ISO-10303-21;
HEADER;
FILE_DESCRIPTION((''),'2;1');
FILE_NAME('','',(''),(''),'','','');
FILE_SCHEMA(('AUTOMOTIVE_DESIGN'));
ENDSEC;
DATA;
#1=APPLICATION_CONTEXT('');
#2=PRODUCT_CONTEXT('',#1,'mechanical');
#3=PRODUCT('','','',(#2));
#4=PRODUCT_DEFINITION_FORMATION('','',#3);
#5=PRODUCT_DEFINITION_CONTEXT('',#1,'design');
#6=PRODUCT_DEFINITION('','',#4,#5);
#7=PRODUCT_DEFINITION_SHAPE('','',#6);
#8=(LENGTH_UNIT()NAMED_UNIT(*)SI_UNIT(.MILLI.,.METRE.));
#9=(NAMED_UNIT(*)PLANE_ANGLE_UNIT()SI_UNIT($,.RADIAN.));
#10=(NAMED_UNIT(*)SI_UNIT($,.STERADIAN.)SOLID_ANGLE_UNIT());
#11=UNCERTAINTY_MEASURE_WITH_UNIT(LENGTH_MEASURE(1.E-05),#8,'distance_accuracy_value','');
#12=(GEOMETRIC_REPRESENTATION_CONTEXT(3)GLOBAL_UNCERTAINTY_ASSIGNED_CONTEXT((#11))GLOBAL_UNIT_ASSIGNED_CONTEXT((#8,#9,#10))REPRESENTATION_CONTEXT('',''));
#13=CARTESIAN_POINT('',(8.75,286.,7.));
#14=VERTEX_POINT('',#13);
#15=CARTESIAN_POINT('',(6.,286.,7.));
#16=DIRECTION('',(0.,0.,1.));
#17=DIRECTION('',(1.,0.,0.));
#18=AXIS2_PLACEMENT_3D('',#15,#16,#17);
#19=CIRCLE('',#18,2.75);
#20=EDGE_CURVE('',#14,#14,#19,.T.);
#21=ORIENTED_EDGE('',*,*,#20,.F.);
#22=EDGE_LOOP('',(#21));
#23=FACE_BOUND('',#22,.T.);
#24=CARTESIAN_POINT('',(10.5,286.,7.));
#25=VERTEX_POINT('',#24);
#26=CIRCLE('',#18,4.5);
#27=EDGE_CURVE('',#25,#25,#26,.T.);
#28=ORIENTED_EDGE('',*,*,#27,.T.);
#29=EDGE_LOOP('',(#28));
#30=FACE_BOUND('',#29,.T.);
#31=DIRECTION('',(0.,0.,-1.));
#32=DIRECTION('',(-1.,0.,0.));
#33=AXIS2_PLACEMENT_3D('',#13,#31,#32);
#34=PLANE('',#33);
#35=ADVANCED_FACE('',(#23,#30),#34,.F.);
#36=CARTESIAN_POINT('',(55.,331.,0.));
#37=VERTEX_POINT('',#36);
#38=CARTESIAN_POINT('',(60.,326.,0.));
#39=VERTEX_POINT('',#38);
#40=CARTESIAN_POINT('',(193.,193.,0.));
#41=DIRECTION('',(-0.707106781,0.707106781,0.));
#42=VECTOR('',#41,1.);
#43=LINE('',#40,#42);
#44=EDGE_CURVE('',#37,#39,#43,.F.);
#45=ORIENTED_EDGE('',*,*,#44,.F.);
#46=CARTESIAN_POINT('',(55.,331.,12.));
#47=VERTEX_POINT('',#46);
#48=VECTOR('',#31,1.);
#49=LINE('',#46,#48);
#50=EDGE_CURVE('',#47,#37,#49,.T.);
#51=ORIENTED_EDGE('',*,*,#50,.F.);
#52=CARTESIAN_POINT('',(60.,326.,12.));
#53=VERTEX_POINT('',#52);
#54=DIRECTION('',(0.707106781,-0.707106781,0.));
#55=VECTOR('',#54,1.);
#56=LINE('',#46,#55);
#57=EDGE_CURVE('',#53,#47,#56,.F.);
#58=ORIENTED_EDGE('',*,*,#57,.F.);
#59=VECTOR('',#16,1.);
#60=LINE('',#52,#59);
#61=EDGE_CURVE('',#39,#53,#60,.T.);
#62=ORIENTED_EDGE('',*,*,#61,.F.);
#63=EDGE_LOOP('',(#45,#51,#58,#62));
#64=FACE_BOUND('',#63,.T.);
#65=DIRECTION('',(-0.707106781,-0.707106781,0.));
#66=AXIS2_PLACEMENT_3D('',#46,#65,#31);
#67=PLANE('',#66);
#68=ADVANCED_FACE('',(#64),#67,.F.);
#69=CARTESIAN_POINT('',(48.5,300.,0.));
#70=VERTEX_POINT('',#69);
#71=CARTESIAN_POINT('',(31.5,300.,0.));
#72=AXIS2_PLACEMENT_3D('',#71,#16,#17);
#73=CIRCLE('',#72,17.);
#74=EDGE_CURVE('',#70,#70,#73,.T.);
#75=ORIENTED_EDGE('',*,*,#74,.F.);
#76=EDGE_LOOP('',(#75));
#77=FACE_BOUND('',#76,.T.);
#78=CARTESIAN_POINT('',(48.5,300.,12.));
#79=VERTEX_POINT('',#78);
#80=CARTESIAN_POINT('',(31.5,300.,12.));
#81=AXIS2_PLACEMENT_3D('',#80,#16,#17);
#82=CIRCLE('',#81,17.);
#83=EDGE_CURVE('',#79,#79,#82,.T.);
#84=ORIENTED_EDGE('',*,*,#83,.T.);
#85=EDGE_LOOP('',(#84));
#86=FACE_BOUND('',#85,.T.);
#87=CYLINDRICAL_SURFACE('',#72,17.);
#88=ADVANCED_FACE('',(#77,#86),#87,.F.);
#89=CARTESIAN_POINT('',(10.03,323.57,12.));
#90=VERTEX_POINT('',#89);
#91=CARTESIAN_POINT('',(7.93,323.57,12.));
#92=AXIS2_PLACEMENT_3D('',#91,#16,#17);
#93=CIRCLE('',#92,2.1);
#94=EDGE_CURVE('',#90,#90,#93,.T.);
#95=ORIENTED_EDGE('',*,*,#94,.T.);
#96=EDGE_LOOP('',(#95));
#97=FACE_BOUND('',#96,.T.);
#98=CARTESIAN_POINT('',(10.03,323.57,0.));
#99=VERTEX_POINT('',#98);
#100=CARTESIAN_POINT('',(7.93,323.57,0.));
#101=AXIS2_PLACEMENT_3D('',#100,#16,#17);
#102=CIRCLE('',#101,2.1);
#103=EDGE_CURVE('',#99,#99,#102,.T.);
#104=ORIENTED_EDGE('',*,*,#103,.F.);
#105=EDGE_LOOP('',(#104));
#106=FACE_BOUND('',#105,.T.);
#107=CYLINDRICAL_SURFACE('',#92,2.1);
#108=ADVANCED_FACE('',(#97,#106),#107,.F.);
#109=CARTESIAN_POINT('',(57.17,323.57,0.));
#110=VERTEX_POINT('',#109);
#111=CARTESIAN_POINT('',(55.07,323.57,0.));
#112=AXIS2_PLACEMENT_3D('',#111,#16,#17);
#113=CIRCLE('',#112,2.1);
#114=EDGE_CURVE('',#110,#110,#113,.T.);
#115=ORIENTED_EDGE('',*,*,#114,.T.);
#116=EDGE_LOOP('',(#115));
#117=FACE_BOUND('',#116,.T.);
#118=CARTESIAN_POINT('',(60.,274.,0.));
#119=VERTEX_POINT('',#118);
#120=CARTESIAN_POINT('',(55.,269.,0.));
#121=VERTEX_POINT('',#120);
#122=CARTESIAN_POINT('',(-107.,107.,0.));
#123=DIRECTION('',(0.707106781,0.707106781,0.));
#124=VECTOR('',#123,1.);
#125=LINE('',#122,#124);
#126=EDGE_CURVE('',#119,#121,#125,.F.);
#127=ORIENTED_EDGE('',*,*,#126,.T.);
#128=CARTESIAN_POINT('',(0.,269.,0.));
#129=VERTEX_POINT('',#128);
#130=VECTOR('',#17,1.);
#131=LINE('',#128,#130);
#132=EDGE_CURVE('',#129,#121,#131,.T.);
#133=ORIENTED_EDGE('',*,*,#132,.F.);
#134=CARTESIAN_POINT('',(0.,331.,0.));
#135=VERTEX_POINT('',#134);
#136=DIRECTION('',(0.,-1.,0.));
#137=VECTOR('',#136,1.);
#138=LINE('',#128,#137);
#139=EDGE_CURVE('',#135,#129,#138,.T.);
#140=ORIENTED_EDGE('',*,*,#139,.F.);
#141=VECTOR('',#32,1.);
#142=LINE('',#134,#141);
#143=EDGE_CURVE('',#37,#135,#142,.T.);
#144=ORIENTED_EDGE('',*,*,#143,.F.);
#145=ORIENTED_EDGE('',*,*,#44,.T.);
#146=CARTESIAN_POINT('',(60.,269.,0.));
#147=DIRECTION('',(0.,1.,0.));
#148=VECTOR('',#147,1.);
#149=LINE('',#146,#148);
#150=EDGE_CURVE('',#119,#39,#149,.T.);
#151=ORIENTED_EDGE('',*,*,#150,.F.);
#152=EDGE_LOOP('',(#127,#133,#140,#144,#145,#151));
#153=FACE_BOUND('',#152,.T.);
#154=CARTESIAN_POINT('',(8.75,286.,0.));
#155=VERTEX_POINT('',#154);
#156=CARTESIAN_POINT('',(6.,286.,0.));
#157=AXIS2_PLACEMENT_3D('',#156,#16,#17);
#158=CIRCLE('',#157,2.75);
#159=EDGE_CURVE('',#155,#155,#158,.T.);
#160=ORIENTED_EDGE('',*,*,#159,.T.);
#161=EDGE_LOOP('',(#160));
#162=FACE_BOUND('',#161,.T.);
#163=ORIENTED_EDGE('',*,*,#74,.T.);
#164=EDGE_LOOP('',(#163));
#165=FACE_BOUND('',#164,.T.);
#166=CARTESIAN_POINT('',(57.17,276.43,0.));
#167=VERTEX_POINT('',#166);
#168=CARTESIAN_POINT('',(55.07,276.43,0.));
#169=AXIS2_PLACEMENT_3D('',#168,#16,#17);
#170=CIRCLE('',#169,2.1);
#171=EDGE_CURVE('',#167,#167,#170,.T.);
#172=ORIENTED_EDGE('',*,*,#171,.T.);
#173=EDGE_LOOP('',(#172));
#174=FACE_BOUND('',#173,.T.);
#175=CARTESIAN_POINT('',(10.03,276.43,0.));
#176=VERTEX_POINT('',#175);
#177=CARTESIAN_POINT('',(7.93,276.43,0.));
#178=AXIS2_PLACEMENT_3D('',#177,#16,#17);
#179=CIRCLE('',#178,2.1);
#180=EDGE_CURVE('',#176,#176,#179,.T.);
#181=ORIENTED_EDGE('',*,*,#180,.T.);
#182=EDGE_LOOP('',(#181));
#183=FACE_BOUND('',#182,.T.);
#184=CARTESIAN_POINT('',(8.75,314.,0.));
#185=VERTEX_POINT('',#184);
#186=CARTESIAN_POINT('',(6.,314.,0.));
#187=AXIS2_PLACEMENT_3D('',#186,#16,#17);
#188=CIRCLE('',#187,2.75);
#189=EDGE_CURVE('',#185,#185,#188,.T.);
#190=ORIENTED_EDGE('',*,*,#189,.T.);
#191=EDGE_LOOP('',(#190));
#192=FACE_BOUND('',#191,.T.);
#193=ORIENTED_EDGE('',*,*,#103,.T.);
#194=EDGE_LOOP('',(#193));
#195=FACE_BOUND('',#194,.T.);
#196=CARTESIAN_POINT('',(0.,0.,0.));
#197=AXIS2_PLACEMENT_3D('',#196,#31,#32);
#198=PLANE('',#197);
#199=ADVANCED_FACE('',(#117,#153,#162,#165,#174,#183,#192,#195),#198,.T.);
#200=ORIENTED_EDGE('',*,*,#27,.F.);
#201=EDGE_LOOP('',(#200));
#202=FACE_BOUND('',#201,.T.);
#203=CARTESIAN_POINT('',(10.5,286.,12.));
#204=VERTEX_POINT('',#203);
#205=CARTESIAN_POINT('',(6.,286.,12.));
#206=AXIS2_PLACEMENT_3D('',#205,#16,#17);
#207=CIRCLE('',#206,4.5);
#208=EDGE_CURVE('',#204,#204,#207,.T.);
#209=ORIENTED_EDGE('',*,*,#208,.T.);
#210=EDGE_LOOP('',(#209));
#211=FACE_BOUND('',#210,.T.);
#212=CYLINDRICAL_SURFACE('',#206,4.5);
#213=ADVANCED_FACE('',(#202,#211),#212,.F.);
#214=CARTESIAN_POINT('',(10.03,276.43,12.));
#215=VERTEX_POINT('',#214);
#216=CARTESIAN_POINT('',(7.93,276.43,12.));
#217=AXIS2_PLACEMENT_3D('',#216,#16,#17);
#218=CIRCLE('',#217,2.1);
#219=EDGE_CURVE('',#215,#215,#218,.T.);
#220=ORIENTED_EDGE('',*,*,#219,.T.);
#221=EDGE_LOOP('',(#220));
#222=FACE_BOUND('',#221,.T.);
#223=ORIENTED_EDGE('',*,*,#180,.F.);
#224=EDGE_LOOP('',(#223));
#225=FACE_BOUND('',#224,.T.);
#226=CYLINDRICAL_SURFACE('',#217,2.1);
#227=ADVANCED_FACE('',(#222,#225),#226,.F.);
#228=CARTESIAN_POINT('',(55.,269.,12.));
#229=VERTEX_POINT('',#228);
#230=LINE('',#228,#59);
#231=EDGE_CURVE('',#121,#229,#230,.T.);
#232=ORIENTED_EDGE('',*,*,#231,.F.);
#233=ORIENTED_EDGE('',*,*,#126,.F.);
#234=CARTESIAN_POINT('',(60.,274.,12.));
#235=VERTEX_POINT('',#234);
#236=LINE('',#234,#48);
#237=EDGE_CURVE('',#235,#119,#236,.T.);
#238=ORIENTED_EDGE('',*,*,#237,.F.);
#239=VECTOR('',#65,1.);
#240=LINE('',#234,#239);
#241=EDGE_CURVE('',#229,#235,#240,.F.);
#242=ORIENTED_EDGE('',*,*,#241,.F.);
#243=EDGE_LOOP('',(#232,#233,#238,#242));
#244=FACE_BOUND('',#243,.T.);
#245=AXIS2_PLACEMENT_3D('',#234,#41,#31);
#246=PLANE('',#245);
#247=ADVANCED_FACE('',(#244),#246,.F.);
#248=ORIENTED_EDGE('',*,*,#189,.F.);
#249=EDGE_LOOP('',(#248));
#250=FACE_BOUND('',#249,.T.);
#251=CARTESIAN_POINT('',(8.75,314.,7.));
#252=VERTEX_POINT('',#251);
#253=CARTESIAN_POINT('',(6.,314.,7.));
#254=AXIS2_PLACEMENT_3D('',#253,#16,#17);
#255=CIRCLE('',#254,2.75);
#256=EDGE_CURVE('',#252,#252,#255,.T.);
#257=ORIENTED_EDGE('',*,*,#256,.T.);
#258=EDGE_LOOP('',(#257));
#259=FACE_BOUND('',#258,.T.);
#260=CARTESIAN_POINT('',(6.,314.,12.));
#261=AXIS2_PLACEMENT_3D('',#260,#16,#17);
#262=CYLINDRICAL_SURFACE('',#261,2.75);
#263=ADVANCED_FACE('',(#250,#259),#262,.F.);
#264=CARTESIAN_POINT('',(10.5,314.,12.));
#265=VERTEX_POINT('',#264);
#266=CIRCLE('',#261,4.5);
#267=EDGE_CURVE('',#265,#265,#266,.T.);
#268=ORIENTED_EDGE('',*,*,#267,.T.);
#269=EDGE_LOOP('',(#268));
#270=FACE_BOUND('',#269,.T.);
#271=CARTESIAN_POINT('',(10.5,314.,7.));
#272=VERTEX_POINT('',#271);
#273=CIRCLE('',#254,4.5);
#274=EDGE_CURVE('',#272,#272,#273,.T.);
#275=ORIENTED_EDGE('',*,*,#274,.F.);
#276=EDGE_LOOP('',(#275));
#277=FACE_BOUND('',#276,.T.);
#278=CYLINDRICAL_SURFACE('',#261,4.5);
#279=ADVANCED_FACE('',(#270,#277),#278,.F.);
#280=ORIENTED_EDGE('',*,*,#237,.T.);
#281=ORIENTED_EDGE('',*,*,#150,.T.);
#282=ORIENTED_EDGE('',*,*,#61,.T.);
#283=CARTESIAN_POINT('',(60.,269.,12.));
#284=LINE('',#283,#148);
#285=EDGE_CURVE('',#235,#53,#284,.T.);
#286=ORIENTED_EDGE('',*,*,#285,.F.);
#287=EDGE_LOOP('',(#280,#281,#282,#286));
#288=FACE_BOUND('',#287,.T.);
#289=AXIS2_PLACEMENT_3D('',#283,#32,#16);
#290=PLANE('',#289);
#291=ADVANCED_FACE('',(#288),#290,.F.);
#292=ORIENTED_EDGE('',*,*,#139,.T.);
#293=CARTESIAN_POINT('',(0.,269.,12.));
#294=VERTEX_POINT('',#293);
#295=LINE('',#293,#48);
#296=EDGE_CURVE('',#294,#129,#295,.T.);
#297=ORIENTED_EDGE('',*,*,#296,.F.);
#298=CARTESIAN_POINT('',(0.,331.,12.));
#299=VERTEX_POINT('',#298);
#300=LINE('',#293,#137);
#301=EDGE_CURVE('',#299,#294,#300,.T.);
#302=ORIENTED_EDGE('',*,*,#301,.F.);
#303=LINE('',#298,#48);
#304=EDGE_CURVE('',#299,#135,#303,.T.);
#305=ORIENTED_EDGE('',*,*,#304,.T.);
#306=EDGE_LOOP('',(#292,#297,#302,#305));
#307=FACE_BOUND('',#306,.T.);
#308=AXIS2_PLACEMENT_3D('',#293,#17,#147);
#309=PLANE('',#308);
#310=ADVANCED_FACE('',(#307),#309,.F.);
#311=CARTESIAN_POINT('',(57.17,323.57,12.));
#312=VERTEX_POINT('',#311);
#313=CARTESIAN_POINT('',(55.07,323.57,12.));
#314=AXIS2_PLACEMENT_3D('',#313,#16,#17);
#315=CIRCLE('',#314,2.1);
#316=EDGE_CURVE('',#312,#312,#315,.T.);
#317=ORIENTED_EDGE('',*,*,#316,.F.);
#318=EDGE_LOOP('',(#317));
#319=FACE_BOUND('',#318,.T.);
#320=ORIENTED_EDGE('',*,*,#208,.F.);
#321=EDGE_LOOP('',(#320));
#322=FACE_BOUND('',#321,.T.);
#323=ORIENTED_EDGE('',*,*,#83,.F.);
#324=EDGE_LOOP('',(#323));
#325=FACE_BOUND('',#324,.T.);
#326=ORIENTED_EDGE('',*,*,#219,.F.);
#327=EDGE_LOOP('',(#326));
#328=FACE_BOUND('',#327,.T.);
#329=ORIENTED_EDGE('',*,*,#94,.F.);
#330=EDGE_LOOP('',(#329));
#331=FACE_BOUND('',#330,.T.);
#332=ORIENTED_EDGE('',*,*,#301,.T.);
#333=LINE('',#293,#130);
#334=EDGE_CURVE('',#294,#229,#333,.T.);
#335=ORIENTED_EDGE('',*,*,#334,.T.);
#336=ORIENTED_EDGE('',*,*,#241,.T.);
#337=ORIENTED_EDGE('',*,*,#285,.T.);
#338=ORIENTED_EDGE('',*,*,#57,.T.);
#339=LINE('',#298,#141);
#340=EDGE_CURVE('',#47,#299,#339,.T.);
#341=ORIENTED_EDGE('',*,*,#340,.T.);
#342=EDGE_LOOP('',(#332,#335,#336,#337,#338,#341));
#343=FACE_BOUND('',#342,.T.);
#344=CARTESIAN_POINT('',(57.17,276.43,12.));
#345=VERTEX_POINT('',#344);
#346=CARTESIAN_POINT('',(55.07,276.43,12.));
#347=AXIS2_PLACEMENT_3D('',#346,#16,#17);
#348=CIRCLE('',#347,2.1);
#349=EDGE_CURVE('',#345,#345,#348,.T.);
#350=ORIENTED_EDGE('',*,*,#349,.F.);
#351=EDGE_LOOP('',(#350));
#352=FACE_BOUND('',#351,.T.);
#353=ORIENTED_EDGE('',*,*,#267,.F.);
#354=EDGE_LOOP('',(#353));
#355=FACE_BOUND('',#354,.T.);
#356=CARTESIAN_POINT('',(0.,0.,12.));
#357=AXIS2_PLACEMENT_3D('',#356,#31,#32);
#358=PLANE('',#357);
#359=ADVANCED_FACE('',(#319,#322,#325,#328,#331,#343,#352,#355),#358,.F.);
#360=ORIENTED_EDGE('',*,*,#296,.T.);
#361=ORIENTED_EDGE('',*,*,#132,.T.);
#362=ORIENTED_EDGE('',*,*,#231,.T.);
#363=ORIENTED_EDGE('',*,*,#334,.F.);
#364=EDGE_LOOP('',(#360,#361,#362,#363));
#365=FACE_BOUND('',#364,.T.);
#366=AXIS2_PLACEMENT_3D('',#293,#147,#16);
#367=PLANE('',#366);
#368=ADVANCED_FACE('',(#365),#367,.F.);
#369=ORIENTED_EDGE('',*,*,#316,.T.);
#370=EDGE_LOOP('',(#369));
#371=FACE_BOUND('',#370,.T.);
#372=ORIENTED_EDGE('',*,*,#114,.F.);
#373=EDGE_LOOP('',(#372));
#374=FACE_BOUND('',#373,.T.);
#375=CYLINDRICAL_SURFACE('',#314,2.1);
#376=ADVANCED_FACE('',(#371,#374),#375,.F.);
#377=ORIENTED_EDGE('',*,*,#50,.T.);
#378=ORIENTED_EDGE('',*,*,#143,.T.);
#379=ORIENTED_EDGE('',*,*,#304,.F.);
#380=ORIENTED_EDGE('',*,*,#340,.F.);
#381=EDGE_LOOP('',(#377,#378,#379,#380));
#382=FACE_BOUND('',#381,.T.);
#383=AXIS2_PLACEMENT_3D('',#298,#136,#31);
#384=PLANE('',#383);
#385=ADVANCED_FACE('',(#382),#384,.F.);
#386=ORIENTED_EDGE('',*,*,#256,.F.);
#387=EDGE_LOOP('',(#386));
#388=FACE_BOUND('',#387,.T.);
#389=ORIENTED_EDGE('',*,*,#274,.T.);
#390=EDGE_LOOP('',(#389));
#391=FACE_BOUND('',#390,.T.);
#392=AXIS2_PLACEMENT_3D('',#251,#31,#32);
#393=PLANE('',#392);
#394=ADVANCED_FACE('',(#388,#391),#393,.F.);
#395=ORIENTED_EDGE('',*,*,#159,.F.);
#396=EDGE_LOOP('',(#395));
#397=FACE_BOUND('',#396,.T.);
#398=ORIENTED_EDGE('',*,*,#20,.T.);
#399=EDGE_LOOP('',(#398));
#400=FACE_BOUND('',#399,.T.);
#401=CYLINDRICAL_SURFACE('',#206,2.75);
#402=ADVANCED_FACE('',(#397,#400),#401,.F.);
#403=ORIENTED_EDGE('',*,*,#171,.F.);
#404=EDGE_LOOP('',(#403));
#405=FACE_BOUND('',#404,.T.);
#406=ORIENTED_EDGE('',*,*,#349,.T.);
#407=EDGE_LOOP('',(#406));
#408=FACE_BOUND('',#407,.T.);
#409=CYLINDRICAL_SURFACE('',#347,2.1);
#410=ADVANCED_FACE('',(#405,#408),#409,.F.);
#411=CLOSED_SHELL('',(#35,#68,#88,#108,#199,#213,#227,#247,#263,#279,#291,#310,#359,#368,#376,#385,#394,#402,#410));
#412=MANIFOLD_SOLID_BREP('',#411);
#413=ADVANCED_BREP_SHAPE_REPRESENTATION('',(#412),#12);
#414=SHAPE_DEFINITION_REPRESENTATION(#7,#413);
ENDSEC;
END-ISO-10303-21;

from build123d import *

# Parameters (mm, degrees)
SZKIC1_W                                             = 60
SZKIC1_H                                             = 62
DODANIE_WYCI_GNI_CIE1_DEPTH                          = 12
SZKIC2_R                                             = 17
WYTNIJ_WYCI_GNI_CIE1_DEPTH                           = 337.608080711
POG_BIENIE_WALCOWE_POD_M5_WKR_T_DO_CZ_CI_D           = 5.5
POG_BIENIE_WALCOWE_POD_M5_WKR_T_DO_CZ_CI_CBORE_D     = 9
POG_BIENIE_WALCOWE_POD_M5_WKR_T_DO_CZ_CI_CBORE_DEPTH = 5
OTW_R_GWINTOWANY_M5X0_81_D                           = 4.2
SFAZOWANIE1_SIZE                                     = 5


with BuildPart() as part:
    # Szkic1 → Dodanie-wyciągnięcie1 (new body)
    with BuildSketch(Plane.XY):
        with Locations((30, 300)):
            Rectangle(SZKIC1_W, SZKIC1_H)
    extrude(amount=DODANIE_WYCI_GNI_CIE1_DEPTH)

    # Szkic2 → Wytnij-wyciągnięcie1 (cut, through all)
    with BuildSketch(Plane.XY.offset(12)):
        with Locations((31.5, 300)):
            Circle(SZKIC2_R)
    extrude(amount=-WYTNIJ_WYCI_GNI_CIE1_DEPTH, mode=Mode.SUBTRACT)

    # Pogłębienie walcowe pod M5 Wkręt do części metalowych z łbem sześciokątnym1 (through all)
    with Locations(Plane.XY.offset(12)):
        with Locations((6, 314), (6, 286)):
            CounterBoreHole(POG_BIENIE_WALCOWE_POD_M5_WKR_T_DO_CZ_CI_D / 2, POG_BIENIE_WALCOWE_POD_M5_WKR_T_DO_CZ_CI_CBORE_D / 2, POG_BIENIE_WALCOWE_POD_M5_WKR_T_DO_CZ_CI_CBORE_DEPTH)

    # Otwór gwintowany M5x0.81 (through all)
    with Locations(Plane.XY.offset(12)):
        with Locations((55.07, 323.57), (55.07, 276.43), (7.93, 323.57), (7.93, 276.43)):
            Hole(OTW_R_GWINTOWANY_M5X0_81_D / 2)

    # Sfazowanie1
    sfazowanie1_edges = [part.edges().sort_by_distance(p)[0] for p in [
        (60, 331, 6),
        (60, 269, 6),
    ]]
    chamfer(sfazowanie1_edges, length=SFAZOWANIE1_SIZE)


solid = part.part
